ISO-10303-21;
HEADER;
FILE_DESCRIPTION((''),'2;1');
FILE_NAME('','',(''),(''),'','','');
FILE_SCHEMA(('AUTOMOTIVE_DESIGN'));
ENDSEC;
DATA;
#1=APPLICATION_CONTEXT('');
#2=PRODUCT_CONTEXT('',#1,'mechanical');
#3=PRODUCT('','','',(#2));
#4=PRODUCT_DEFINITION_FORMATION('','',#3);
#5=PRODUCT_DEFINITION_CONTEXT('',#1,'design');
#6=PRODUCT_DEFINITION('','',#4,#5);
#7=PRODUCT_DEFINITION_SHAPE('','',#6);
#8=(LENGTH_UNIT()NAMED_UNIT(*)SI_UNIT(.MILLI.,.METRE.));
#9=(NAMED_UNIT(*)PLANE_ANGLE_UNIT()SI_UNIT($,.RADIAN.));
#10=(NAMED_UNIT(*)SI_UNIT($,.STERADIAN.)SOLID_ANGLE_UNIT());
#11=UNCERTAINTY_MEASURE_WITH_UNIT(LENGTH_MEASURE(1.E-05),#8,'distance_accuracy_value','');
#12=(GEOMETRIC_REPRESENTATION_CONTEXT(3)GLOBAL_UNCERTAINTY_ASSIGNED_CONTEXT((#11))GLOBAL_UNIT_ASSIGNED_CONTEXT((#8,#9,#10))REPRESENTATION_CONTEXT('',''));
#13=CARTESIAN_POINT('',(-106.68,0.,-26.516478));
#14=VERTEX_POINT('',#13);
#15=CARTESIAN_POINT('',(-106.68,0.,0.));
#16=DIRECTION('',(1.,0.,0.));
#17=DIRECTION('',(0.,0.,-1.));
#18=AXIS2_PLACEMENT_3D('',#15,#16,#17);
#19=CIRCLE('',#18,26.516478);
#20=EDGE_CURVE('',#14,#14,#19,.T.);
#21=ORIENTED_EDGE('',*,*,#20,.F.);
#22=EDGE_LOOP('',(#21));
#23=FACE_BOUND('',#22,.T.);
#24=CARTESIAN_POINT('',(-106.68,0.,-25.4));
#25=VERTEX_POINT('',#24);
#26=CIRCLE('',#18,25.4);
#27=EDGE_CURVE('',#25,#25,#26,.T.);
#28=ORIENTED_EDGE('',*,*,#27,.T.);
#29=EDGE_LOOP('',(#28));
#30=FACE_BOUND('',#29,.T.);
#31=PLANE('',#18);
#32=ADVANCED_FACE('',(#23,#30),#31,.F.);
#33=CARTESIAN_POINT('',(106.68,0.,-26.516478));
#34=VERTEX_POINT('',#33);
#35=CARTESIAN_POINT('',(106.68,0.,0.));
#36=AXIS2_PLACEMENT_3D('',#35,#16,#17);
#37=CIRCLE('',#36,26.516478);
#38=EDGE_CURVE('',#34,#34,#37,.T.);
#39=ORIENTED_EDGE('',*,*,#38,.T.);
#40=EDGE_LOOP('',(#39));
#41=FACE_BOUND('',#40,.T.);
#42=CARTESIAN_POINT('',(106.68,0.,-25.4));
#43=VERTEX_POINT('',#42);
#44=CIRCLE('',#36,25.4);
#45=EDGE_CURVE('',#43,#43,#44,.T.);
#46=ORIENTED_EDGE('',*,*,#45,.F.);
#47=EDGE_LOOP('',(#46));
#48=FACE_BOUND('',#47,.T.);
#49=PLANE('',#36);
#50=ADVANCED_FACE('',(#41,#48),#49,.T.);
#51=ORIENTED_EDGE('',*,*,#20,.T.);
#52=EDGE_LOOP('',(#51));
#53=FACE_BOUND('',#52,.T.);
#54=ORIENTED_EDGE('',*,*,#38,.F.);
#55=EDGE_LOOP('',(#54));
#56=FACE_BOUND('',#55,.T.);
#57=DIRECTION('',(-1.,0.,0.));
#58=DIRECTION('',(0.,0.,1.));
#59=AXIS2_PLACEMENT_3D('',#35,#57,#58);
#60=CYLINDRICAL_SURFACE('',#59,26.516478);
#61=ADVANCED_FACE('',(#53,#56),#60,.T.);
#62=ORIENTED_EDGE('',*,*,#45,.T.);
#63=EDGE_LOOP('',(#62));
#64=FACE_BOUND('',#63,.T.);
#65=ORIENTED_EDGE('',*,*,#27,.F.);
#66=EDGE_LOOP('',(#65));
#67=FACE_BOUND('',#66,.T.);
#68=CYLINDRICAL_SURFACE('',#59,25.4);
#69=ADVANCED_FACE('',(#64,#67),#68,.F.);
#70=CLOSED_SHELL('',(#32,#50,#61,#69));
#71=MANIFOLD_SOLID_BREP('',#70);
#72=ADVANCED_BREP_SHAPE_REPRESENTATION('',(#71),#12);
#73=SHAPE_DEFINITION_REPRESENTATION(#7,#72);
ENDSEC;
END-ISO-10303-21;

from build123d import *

# Parameters (mm, degrees)
SKETCH1_R           = 26.516477778
SKETCH1_R_2         = 25.4
BOSS_EXTRUDE1_DEPTH = 106.68


with BuildPart() as part:
    # Sketch1 → Boss-Extrude1 (new, symmetric)
    with BuildSketch(Plane(origin=(0, 0, 0), x_dir=(0, 0, -1), z_dir=(1, 0, 0))):
        Circle(SKETCH1_R)
        Circle(SKETCH1_R_2, mode=Mode.SUBTRACT)
    extrude(amount=BOSS_EXTRUDE1_DEPTH, both=True)


solid = part.part
